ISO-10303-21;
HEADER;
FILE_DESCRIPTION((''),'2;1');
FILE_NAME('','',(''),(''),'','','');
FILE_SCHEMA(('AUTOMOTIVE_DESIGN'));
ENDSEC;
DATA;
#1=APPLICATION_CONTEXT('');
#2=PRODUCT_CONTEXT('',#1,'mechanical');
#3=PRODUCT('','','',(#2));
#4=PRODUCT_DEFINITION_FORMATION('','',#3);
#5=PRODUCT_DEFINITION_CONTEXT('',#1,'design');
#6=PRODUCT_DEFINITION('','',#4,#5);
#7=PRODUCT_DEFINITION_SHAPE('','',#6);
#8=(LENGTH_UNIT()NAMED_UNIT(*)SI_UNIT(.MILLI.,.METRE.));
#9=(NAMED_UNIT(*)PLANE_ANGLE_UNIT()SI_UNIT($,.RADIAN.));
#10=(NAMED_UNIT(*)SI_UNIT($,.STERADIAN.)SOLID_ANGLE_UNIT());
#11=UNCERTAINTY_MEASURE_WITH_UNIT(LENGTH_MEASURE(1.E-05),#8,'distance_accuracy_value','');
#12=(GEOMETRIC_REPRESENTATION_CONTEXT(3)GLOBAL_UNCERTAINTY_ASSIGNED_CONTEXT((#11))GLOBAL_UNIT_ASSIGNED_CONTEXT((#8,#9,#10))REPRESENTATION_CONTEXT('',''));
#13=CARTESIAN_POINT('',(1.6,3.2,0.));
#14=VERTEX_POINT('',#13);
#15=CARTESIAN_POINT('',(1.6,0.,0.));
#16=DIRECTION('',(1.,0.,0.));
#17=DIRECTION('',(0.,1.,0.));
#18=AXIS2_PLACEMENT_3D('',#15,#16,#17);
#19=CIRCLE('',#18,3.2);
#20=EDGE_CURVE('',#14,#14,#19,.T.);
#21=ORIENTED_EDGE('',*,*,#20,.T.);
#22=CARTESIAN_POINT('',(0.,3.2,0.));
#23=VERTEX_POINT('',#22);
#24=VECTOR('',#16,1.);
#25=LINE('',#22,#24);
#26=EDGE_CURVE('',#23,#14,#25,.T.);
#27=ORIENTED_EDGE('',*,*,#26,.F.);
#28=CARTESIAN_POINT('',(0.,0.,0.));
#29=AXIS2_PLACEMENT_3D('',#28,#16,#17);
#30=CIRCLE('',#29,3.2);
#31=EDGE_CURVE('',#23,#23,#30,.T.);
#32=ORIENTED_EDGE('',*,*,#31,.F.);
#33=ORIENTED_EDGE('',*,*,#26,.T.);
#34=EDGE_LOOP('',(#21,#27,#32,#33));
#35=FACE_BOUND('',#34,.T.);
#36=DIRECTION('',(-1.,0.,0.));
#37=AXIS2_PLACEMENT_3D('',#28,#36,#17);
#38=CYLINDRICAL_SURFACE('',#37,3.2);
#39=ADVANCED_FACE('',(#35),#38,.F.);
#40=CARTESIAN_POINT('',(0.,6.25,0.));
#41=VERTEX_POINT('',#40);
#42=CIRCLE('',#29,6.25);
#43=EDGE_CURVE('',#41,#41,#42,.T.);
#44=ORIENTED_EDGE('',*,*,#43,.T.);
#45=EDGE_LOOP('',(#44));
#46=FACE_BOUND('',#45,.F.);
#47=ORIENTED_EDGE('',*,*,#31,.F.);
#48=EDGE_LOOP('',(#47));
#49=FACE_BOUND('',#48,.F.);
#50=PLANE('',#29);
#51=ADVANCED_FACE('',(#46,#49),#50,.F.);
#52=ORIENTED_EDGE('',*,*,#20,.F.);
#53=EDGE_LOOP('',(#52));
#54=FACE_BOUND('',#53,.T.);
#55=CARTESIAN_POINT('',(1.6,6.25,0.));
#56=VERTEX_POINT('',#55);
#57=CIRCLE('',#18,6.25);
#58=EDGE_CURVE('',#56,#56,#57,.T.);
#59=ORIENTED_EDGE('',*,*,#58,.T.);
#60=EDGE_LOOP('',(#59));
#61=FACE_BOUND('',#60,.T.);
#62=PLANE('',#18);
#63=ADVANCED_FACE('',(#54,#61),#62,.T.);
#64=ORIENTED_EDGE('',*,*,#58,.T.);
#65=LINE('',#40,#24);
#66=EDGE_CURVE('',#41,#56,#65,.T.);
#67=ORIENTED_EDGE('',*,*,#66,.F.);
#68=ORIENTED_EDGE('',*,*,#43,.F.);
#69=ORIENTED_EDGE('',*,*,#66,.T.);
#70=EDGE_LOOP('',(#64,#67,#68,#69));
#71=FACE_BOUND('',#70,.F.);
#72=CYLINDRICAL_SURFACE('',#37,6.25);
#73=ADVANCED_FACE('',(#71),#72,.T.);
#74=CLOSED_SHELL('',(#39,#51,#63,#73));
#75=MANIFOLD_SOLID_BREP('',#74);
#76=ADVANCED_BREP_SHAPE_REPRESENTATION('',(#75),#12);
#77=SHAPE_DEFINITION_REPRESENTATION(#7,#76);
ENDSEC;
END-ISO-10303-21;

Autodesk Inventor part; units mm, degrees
ref_plane "YZ Plane" through (0, 0, 0) normal (1, 0, 0) x (0, 1, 0)
ref_plane "XZ Plane" through (0, 0, 0) normal (0, 1, 0) x (-1, 0, 0)
sketch "Boceto" plane through (0, 0, 0) normal (1, 0, 0) x (0, 1, 0)
  circle A0 centre (0, 0) radius 6.25
  circle A1 centre (0, 0) radius 3.2
  dimension "d0" = 6.4
  dimension "d1" = 12.5
extrude "Cuerpo" add sketch "Boceto" along normal blind 1.6
ref_plane "Work Plane1" through (0, 0, 0) normal (0, 0, 1) x (1, 0, 0)
equation "\"d0\" = SD1"
equation "\"d1\" = SD2"
equation "\"d2\" = SD"
equation "\"SD1\" = 6.4"
equation "\"SD2\" = 12.5"
equation "\"SD\" = 1.6"
equation "\"NND\" = 6"
properties part number "BS 4320 - M6 (Forma A)" material "Acero, suave"
